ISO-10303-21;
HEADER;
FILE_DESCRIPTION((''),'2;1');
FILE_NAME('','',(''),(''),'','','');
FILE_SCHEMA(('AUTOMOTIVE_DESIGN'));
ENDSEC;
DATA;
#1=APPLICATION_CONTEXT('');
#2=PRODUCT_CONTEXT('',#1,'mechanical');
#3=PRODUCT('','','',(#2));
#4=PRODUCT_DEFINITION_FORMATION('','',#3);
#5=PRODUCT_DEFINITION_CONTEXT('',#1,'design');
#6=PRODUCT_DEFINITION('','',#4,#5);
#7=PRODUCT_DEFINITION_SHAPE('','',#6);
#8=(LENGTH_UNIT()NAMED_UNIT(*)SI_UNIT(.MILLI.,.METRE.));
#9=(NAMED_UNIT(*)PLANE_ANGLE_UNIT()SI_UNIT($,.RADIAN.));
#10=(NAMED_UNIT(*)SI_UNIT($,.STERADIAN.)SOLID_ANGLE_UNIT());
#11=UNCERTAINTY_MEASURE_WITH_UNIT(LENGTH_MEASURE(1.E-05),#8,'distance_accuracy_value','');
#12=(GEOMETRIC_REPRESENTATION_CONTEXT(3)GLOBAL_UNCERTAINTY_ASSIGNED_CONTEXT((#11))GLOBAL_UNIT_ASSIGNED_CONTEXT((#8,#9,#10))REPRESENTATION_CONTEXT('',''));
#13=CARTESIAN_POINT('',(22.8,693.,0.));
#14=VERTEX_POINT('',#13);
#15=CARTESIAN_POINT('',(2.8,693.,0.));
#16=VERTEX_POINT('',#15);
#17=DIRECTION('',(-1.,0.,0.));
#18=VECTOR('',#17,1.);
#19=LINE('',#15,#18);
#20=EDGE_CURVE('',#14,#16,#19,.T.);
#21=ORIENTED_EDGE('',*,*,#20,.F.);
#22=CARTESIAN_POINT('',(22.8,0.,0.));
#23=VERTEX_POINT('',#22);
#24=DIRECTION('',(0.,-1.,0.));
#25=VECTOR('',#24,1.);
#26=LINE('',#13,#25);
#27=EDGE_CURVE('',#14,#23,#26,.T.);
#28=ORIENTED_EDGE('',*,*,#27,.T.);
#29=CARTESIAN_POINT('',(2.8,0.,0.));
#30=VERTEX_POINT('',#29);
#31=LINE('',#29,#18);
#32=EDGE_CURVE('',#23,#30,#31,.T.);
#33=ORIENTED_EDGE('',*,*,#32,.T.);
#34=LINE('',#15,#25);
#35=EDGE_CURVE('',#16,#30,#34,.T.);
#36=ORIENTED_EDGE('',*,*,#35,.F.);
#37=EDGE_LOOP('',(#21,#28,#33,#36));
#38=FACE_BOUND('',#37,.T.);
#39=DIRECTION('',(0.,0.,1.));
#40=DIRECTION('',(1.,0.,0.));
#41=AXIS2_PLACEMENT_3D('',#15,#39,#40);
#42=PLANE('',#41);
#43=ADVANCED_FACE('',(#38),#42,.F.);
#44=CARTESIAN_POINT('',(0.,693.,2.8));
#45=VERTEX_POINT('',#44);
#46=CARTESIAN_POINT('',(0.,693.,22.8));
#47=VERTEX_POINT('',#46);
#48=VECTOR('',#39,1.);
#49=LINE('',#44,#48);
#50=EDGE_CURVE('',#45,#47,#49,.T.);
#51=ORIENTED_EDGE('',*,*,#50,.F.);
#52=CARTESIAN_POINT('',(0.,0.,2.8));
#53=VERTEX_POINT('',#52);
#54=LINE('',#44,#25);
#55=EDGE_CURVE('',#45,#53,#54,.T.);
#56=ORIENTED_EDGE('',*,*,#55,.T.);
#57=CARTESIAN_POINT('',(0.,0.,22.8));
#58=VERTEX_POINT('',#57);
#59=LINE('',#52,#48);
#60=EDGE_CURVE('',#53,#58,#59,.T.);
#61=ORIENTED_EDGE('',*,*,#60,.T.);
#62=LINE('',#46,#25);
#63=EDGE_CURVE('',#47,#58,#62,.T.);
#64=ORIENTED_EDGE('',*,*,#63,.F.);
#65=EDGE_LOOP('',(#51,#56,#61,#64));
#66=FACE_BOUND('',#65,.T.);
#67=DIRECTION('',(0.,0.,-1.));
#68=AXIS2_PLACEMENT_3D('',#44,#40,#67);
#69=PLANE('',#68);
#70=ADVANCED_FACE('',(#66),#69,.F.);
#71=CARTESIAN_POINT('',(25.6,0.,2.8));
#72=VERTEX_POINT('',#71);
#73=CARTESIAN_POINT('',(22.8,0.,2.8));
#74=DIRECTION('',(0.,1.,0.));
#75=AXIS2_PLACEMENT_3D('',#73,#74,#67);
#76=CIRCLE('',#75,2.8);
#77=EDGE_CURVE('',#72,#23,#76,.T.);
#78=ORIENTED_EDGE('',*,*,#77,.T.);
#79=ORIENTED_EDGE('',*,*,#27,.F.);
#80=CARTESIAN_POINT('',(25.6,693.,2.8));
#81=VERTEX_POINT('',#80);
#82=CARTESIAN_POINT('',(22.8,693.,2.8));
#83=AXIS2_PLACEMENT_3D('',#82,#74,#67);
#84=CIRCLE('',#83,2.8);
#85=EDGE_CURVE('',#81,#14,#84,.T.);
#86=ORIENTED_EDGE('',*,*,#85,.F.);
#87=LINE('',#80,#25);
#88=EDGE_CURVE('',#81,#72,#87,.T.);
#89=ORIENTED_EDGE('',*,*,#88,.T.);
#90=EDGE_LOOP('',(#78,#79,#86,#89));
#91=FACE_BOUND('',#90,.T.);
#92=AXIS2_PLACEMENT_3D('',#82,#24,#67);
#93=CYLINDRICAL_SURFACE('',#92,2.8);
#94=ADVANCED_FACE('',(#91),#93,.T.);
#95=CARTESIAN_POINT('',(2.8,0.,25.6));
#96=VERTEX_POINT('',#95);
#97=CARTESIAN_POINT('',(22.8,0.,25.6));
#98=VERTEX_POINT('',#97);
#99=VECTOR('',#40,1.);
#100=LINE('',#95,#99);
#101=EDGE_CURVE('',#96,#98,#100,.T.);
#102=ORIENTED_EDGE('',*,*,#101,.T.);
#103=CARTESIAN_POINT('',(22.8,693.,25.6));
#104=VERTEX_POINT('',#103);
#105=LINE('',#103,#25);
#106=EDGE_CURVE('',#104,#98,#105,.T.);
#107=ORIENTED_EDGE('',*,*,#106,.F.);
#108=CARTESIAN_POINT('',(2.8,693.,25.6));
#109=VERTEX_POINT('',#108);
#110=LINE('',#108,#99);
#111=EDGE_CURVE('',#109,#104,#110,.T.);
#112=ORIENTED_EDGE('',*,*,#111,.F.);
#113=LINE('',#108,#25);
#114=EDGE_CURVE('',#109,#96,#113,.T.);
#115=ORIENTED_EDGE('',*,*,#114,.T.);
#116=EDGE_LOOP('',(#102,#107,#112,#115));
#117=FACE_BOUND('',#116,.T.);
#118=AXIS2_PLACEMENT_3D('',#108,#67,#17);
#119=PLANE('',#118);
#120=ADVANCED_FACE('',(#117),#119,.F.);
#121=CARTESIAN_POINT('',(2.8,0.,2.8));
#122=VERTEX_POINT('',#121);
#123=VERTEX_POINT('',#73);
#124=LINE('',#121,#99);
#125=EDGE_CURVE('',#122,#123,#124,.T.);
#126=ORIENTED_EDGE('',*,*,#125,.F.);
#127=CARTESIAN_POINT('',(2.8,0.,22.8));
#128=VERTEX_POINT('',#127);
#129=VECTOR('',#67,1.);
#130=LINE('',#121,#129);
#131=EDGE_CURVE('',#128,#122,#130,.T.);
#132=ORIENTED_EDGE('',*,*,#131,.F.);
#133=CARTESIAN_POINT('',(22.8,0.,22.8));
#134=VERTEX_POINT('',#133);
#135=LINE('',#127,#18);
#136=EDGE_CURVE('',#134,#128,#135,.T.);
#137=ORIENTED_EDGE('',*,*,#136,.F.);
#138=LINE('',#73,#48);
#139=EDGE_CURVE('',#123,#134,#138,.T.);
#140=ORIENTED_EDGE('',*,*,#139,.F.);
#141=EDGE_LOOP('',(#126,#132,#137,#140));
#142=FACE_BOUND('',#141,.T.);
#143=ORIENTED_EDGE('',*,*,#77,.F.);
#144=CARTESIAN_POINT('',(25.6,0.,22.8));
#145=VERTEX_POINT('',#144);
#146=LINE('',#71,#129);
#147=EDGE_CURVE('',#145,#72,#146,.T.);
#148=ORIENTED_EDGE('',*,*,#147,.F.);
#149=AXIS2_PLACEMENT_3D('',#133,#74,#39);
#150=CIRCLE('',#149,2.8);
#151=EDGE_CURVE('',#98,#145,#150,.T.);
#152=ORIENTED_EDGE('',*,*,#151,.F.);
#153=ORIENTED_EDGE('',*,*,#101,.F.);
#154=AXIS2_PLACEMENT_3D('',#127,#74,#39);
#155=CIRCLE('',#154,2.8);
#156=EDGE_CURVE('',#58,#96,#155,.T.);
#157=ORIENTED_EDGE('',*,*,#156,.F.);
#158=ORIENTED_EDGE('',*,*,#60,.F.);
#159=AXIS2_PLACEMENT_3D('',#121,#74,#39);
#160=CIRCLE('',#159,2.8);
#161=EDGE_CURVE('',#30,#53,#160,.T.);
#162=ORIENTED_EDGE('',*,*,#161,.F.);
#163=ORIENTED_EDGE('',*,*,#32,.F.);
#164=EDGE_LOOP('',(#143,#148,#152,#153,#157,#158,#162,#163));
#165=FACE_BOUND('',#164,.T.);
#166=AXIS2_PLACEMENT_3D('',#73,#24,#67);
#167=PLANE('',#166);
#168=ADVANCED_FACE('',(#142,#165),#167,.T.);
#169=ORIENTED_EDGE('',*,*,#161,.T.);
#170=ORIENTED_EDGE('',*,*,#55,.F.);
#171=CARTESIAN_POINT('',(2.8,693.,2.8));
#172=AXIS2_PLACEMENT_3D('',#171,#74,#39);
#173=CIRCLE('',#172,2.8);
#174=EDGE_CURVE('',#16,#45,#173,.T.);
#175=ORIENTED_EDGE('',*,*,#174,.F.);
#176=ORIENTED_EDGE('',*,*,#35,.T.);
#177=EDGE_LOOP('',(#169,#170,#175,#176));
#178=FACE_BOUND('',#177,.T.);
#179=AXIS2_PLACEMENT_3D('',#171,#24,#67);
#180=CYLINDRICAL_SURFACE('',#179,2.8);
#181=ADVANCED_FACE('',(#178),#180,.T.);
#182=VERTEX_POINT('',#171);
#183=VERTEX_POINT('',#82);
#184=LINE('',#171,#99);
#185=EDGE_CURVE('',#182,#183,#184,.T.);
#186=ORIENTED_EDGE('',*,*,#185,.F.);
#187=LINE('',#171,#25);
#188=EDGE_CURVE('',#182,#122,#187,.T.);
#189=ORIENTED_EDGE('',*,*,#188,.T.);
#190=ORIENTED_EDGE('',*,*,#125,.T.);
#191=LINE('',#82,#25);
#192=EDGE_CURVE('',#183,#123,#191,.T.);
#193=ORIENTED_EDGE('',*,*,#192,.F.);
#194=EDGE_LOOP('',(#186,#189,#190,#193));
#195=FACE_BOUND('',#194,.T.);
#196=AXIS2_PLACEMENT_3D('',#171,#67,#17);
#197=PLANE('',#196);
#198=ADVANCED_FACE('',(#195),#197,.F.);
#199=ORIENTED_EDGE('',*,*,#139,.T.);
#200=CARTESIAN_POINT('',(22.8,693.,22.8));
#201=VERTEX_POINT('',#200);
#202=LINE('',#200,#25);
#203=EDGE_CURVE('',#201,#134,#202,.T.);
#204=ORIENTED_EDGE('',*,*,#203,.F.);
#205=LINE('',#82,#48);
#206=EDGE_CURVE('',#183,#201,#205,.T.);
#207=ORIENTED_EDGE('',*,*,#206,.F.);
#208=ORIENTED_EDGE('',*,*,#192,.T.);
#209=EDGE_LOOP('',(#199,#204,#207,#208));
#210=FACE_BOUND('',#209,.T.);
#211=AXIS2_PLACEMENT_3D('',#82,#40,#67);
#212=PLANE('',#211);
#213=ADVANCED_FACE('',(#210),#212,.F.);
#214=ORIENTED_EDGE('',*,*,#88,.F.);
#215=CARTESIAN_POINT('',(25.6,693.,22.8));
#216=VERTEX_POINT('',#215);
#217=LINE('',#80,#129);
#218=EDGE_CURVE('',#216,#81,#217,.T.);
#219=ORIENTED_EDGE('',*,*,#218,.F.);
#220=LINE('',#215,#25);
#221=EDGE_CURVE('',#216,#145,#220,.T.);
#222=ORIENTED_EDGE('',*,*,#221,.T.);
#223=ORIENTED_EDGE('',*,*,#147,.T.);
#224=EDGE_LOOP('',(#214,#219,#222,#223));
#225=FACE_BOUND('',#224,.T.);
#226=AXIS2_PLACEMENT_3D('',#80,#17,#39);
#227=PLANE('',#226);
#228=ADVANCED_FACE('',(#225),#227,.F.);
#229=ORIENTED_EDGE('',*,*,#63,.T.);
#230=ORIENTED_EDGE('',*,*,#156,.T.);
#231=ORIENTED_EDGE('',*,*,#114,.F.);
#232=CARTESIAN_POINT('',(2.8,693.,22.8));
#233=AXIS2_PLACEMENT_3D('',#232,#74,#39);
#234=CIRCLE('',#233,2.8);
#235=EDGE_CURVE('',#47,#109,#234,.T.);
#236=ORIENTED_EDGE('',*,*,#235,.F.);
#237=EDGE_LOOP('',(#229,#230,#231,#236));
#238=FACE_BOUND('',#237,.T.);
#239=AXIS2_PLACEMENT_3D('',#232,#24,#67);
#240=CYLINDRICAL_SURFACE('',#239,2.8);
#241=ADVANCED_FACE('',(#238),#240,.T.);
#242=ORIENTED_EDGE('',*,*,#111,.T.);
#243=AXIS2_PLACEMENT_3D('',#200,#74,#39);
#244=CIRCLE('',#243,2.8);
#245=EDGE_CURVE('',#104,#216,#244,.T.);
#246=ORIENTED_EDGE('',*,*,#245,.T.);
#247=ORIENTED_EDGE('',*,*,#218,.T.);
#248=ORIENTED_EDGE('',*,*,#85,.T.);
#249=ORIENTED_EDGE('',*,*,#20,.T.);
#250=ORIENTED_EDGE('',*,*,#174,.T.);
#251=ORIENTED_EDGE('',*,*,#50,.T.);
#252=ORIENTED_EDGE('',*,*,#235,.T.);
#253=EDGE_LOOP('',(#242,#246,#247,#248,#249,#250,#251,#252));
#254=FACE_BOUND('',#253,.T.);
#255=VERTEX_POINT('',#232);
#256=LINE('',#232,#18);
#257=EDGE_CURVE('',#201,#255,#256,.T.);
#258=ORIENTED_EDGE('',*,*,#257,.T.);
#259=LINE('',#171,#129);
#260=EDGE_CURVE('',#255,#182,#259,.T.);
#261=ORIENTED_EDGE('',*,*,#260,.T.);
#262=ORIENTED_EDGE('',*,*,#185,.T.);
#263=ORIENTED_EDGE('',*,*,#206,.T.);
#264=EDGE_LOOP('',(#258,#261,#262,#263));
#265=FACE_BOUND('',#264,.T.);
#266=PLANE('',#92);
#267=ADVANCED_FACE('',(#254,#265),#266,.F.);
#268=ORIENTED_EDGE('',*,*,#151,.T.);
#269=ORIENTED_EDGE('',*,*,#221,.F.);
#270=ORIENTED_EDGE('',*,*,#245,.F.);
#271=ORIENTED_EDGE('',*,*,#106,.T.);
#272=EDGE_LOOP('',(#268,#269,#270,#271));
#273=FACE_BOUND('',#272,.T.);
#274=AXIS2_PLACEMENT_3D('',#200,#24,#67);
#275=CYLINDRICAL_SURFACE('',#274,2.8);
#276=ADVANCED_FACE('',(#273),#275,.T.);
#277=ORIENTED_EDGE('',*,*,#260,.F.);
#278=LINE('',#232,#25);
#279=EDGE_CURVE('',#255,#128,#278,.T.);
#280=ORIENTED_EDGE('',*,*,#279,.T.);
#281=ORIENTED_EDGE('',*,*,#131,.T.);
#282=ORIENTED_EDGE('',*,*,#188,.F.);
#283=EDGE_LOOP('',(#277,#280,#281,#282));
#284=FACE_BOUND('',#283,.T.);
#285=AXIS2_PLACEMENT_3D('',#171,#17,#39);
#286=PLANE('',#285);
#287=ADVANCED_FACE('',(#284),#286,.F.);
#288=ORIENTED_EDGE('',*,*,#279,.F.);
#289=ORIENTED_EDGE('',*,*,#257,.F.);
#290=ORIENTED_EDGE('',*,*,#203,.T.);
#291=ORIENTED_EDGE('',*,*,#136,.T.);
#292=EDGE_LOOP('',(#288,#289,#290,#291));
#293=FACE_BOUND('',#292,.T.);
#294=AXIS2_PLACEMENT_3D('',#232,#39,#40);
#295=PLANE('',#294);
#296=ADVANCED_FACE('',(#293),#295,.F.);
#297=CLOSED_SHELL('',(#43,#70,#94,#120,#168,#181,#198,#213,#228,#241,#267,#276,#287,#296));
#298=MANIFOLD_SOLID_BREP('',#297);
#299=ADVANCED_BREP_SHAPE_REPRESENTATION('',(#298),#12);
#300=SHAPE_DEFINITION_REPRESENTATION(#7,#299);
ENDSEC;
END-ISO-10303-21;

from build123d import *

# Parameters (mm, degrees)
BOSS_EXTRUDE1_DEPTH = 693
SKETCH3_W           = 20
SKETCH3_H           = 20
CUT_EXTRUDE1_DEPTH  = 693


with BuildPart() as part:
    # Sketch1 → Boss-Extrude1 (new body)
    with BuildSketch(Plane(origin=(0, 0, 0), x_dir=(1, 0, 0), z_dir=(0, 1, 0))):
        with BuildLine():
            Line((2.8, 0), (22.8, 0))
            ThreePointArc((22.8, 0), (24.779898987, -0.820101013), (25.6, -2.8))
            Line((25.6, -2.8), (25.6, -22.8))
            ThreePointArc((25.6, -22.8), (24.779898987, -24.779898987), (22.8, -25.6))
            Line((22.8, -25.6), (2.8, -25.6))
            ThreePointArc((2.8, -25.6), (0.820101013, -24.779898987), (0, -22.8))
            Line((0, -22.8), (0, -2.8))
            ThreePointArc((0, -2.8), (0.820101013, -0.820101013), (2.8, 0))
        make_face()
    extrude(amount=BOSS_EXTRUDE1_DEPTH)

    # Sketch3 → Cut-Extrude1 (cut)
    with BuildSketch(Plane(origin=(0, 0, 0), x_dir=(-1, 0, 0), z_dir=(0, -1, 0))):
        with Locations((-12.8, -12.8)):
            Rectangle(SKETCH3_W, SKETCH3_H)
    extrude(amount=-CUT_EXTRUDE1_DEPTH, mode=Mode.SUBTRACT)


solid = part.part
